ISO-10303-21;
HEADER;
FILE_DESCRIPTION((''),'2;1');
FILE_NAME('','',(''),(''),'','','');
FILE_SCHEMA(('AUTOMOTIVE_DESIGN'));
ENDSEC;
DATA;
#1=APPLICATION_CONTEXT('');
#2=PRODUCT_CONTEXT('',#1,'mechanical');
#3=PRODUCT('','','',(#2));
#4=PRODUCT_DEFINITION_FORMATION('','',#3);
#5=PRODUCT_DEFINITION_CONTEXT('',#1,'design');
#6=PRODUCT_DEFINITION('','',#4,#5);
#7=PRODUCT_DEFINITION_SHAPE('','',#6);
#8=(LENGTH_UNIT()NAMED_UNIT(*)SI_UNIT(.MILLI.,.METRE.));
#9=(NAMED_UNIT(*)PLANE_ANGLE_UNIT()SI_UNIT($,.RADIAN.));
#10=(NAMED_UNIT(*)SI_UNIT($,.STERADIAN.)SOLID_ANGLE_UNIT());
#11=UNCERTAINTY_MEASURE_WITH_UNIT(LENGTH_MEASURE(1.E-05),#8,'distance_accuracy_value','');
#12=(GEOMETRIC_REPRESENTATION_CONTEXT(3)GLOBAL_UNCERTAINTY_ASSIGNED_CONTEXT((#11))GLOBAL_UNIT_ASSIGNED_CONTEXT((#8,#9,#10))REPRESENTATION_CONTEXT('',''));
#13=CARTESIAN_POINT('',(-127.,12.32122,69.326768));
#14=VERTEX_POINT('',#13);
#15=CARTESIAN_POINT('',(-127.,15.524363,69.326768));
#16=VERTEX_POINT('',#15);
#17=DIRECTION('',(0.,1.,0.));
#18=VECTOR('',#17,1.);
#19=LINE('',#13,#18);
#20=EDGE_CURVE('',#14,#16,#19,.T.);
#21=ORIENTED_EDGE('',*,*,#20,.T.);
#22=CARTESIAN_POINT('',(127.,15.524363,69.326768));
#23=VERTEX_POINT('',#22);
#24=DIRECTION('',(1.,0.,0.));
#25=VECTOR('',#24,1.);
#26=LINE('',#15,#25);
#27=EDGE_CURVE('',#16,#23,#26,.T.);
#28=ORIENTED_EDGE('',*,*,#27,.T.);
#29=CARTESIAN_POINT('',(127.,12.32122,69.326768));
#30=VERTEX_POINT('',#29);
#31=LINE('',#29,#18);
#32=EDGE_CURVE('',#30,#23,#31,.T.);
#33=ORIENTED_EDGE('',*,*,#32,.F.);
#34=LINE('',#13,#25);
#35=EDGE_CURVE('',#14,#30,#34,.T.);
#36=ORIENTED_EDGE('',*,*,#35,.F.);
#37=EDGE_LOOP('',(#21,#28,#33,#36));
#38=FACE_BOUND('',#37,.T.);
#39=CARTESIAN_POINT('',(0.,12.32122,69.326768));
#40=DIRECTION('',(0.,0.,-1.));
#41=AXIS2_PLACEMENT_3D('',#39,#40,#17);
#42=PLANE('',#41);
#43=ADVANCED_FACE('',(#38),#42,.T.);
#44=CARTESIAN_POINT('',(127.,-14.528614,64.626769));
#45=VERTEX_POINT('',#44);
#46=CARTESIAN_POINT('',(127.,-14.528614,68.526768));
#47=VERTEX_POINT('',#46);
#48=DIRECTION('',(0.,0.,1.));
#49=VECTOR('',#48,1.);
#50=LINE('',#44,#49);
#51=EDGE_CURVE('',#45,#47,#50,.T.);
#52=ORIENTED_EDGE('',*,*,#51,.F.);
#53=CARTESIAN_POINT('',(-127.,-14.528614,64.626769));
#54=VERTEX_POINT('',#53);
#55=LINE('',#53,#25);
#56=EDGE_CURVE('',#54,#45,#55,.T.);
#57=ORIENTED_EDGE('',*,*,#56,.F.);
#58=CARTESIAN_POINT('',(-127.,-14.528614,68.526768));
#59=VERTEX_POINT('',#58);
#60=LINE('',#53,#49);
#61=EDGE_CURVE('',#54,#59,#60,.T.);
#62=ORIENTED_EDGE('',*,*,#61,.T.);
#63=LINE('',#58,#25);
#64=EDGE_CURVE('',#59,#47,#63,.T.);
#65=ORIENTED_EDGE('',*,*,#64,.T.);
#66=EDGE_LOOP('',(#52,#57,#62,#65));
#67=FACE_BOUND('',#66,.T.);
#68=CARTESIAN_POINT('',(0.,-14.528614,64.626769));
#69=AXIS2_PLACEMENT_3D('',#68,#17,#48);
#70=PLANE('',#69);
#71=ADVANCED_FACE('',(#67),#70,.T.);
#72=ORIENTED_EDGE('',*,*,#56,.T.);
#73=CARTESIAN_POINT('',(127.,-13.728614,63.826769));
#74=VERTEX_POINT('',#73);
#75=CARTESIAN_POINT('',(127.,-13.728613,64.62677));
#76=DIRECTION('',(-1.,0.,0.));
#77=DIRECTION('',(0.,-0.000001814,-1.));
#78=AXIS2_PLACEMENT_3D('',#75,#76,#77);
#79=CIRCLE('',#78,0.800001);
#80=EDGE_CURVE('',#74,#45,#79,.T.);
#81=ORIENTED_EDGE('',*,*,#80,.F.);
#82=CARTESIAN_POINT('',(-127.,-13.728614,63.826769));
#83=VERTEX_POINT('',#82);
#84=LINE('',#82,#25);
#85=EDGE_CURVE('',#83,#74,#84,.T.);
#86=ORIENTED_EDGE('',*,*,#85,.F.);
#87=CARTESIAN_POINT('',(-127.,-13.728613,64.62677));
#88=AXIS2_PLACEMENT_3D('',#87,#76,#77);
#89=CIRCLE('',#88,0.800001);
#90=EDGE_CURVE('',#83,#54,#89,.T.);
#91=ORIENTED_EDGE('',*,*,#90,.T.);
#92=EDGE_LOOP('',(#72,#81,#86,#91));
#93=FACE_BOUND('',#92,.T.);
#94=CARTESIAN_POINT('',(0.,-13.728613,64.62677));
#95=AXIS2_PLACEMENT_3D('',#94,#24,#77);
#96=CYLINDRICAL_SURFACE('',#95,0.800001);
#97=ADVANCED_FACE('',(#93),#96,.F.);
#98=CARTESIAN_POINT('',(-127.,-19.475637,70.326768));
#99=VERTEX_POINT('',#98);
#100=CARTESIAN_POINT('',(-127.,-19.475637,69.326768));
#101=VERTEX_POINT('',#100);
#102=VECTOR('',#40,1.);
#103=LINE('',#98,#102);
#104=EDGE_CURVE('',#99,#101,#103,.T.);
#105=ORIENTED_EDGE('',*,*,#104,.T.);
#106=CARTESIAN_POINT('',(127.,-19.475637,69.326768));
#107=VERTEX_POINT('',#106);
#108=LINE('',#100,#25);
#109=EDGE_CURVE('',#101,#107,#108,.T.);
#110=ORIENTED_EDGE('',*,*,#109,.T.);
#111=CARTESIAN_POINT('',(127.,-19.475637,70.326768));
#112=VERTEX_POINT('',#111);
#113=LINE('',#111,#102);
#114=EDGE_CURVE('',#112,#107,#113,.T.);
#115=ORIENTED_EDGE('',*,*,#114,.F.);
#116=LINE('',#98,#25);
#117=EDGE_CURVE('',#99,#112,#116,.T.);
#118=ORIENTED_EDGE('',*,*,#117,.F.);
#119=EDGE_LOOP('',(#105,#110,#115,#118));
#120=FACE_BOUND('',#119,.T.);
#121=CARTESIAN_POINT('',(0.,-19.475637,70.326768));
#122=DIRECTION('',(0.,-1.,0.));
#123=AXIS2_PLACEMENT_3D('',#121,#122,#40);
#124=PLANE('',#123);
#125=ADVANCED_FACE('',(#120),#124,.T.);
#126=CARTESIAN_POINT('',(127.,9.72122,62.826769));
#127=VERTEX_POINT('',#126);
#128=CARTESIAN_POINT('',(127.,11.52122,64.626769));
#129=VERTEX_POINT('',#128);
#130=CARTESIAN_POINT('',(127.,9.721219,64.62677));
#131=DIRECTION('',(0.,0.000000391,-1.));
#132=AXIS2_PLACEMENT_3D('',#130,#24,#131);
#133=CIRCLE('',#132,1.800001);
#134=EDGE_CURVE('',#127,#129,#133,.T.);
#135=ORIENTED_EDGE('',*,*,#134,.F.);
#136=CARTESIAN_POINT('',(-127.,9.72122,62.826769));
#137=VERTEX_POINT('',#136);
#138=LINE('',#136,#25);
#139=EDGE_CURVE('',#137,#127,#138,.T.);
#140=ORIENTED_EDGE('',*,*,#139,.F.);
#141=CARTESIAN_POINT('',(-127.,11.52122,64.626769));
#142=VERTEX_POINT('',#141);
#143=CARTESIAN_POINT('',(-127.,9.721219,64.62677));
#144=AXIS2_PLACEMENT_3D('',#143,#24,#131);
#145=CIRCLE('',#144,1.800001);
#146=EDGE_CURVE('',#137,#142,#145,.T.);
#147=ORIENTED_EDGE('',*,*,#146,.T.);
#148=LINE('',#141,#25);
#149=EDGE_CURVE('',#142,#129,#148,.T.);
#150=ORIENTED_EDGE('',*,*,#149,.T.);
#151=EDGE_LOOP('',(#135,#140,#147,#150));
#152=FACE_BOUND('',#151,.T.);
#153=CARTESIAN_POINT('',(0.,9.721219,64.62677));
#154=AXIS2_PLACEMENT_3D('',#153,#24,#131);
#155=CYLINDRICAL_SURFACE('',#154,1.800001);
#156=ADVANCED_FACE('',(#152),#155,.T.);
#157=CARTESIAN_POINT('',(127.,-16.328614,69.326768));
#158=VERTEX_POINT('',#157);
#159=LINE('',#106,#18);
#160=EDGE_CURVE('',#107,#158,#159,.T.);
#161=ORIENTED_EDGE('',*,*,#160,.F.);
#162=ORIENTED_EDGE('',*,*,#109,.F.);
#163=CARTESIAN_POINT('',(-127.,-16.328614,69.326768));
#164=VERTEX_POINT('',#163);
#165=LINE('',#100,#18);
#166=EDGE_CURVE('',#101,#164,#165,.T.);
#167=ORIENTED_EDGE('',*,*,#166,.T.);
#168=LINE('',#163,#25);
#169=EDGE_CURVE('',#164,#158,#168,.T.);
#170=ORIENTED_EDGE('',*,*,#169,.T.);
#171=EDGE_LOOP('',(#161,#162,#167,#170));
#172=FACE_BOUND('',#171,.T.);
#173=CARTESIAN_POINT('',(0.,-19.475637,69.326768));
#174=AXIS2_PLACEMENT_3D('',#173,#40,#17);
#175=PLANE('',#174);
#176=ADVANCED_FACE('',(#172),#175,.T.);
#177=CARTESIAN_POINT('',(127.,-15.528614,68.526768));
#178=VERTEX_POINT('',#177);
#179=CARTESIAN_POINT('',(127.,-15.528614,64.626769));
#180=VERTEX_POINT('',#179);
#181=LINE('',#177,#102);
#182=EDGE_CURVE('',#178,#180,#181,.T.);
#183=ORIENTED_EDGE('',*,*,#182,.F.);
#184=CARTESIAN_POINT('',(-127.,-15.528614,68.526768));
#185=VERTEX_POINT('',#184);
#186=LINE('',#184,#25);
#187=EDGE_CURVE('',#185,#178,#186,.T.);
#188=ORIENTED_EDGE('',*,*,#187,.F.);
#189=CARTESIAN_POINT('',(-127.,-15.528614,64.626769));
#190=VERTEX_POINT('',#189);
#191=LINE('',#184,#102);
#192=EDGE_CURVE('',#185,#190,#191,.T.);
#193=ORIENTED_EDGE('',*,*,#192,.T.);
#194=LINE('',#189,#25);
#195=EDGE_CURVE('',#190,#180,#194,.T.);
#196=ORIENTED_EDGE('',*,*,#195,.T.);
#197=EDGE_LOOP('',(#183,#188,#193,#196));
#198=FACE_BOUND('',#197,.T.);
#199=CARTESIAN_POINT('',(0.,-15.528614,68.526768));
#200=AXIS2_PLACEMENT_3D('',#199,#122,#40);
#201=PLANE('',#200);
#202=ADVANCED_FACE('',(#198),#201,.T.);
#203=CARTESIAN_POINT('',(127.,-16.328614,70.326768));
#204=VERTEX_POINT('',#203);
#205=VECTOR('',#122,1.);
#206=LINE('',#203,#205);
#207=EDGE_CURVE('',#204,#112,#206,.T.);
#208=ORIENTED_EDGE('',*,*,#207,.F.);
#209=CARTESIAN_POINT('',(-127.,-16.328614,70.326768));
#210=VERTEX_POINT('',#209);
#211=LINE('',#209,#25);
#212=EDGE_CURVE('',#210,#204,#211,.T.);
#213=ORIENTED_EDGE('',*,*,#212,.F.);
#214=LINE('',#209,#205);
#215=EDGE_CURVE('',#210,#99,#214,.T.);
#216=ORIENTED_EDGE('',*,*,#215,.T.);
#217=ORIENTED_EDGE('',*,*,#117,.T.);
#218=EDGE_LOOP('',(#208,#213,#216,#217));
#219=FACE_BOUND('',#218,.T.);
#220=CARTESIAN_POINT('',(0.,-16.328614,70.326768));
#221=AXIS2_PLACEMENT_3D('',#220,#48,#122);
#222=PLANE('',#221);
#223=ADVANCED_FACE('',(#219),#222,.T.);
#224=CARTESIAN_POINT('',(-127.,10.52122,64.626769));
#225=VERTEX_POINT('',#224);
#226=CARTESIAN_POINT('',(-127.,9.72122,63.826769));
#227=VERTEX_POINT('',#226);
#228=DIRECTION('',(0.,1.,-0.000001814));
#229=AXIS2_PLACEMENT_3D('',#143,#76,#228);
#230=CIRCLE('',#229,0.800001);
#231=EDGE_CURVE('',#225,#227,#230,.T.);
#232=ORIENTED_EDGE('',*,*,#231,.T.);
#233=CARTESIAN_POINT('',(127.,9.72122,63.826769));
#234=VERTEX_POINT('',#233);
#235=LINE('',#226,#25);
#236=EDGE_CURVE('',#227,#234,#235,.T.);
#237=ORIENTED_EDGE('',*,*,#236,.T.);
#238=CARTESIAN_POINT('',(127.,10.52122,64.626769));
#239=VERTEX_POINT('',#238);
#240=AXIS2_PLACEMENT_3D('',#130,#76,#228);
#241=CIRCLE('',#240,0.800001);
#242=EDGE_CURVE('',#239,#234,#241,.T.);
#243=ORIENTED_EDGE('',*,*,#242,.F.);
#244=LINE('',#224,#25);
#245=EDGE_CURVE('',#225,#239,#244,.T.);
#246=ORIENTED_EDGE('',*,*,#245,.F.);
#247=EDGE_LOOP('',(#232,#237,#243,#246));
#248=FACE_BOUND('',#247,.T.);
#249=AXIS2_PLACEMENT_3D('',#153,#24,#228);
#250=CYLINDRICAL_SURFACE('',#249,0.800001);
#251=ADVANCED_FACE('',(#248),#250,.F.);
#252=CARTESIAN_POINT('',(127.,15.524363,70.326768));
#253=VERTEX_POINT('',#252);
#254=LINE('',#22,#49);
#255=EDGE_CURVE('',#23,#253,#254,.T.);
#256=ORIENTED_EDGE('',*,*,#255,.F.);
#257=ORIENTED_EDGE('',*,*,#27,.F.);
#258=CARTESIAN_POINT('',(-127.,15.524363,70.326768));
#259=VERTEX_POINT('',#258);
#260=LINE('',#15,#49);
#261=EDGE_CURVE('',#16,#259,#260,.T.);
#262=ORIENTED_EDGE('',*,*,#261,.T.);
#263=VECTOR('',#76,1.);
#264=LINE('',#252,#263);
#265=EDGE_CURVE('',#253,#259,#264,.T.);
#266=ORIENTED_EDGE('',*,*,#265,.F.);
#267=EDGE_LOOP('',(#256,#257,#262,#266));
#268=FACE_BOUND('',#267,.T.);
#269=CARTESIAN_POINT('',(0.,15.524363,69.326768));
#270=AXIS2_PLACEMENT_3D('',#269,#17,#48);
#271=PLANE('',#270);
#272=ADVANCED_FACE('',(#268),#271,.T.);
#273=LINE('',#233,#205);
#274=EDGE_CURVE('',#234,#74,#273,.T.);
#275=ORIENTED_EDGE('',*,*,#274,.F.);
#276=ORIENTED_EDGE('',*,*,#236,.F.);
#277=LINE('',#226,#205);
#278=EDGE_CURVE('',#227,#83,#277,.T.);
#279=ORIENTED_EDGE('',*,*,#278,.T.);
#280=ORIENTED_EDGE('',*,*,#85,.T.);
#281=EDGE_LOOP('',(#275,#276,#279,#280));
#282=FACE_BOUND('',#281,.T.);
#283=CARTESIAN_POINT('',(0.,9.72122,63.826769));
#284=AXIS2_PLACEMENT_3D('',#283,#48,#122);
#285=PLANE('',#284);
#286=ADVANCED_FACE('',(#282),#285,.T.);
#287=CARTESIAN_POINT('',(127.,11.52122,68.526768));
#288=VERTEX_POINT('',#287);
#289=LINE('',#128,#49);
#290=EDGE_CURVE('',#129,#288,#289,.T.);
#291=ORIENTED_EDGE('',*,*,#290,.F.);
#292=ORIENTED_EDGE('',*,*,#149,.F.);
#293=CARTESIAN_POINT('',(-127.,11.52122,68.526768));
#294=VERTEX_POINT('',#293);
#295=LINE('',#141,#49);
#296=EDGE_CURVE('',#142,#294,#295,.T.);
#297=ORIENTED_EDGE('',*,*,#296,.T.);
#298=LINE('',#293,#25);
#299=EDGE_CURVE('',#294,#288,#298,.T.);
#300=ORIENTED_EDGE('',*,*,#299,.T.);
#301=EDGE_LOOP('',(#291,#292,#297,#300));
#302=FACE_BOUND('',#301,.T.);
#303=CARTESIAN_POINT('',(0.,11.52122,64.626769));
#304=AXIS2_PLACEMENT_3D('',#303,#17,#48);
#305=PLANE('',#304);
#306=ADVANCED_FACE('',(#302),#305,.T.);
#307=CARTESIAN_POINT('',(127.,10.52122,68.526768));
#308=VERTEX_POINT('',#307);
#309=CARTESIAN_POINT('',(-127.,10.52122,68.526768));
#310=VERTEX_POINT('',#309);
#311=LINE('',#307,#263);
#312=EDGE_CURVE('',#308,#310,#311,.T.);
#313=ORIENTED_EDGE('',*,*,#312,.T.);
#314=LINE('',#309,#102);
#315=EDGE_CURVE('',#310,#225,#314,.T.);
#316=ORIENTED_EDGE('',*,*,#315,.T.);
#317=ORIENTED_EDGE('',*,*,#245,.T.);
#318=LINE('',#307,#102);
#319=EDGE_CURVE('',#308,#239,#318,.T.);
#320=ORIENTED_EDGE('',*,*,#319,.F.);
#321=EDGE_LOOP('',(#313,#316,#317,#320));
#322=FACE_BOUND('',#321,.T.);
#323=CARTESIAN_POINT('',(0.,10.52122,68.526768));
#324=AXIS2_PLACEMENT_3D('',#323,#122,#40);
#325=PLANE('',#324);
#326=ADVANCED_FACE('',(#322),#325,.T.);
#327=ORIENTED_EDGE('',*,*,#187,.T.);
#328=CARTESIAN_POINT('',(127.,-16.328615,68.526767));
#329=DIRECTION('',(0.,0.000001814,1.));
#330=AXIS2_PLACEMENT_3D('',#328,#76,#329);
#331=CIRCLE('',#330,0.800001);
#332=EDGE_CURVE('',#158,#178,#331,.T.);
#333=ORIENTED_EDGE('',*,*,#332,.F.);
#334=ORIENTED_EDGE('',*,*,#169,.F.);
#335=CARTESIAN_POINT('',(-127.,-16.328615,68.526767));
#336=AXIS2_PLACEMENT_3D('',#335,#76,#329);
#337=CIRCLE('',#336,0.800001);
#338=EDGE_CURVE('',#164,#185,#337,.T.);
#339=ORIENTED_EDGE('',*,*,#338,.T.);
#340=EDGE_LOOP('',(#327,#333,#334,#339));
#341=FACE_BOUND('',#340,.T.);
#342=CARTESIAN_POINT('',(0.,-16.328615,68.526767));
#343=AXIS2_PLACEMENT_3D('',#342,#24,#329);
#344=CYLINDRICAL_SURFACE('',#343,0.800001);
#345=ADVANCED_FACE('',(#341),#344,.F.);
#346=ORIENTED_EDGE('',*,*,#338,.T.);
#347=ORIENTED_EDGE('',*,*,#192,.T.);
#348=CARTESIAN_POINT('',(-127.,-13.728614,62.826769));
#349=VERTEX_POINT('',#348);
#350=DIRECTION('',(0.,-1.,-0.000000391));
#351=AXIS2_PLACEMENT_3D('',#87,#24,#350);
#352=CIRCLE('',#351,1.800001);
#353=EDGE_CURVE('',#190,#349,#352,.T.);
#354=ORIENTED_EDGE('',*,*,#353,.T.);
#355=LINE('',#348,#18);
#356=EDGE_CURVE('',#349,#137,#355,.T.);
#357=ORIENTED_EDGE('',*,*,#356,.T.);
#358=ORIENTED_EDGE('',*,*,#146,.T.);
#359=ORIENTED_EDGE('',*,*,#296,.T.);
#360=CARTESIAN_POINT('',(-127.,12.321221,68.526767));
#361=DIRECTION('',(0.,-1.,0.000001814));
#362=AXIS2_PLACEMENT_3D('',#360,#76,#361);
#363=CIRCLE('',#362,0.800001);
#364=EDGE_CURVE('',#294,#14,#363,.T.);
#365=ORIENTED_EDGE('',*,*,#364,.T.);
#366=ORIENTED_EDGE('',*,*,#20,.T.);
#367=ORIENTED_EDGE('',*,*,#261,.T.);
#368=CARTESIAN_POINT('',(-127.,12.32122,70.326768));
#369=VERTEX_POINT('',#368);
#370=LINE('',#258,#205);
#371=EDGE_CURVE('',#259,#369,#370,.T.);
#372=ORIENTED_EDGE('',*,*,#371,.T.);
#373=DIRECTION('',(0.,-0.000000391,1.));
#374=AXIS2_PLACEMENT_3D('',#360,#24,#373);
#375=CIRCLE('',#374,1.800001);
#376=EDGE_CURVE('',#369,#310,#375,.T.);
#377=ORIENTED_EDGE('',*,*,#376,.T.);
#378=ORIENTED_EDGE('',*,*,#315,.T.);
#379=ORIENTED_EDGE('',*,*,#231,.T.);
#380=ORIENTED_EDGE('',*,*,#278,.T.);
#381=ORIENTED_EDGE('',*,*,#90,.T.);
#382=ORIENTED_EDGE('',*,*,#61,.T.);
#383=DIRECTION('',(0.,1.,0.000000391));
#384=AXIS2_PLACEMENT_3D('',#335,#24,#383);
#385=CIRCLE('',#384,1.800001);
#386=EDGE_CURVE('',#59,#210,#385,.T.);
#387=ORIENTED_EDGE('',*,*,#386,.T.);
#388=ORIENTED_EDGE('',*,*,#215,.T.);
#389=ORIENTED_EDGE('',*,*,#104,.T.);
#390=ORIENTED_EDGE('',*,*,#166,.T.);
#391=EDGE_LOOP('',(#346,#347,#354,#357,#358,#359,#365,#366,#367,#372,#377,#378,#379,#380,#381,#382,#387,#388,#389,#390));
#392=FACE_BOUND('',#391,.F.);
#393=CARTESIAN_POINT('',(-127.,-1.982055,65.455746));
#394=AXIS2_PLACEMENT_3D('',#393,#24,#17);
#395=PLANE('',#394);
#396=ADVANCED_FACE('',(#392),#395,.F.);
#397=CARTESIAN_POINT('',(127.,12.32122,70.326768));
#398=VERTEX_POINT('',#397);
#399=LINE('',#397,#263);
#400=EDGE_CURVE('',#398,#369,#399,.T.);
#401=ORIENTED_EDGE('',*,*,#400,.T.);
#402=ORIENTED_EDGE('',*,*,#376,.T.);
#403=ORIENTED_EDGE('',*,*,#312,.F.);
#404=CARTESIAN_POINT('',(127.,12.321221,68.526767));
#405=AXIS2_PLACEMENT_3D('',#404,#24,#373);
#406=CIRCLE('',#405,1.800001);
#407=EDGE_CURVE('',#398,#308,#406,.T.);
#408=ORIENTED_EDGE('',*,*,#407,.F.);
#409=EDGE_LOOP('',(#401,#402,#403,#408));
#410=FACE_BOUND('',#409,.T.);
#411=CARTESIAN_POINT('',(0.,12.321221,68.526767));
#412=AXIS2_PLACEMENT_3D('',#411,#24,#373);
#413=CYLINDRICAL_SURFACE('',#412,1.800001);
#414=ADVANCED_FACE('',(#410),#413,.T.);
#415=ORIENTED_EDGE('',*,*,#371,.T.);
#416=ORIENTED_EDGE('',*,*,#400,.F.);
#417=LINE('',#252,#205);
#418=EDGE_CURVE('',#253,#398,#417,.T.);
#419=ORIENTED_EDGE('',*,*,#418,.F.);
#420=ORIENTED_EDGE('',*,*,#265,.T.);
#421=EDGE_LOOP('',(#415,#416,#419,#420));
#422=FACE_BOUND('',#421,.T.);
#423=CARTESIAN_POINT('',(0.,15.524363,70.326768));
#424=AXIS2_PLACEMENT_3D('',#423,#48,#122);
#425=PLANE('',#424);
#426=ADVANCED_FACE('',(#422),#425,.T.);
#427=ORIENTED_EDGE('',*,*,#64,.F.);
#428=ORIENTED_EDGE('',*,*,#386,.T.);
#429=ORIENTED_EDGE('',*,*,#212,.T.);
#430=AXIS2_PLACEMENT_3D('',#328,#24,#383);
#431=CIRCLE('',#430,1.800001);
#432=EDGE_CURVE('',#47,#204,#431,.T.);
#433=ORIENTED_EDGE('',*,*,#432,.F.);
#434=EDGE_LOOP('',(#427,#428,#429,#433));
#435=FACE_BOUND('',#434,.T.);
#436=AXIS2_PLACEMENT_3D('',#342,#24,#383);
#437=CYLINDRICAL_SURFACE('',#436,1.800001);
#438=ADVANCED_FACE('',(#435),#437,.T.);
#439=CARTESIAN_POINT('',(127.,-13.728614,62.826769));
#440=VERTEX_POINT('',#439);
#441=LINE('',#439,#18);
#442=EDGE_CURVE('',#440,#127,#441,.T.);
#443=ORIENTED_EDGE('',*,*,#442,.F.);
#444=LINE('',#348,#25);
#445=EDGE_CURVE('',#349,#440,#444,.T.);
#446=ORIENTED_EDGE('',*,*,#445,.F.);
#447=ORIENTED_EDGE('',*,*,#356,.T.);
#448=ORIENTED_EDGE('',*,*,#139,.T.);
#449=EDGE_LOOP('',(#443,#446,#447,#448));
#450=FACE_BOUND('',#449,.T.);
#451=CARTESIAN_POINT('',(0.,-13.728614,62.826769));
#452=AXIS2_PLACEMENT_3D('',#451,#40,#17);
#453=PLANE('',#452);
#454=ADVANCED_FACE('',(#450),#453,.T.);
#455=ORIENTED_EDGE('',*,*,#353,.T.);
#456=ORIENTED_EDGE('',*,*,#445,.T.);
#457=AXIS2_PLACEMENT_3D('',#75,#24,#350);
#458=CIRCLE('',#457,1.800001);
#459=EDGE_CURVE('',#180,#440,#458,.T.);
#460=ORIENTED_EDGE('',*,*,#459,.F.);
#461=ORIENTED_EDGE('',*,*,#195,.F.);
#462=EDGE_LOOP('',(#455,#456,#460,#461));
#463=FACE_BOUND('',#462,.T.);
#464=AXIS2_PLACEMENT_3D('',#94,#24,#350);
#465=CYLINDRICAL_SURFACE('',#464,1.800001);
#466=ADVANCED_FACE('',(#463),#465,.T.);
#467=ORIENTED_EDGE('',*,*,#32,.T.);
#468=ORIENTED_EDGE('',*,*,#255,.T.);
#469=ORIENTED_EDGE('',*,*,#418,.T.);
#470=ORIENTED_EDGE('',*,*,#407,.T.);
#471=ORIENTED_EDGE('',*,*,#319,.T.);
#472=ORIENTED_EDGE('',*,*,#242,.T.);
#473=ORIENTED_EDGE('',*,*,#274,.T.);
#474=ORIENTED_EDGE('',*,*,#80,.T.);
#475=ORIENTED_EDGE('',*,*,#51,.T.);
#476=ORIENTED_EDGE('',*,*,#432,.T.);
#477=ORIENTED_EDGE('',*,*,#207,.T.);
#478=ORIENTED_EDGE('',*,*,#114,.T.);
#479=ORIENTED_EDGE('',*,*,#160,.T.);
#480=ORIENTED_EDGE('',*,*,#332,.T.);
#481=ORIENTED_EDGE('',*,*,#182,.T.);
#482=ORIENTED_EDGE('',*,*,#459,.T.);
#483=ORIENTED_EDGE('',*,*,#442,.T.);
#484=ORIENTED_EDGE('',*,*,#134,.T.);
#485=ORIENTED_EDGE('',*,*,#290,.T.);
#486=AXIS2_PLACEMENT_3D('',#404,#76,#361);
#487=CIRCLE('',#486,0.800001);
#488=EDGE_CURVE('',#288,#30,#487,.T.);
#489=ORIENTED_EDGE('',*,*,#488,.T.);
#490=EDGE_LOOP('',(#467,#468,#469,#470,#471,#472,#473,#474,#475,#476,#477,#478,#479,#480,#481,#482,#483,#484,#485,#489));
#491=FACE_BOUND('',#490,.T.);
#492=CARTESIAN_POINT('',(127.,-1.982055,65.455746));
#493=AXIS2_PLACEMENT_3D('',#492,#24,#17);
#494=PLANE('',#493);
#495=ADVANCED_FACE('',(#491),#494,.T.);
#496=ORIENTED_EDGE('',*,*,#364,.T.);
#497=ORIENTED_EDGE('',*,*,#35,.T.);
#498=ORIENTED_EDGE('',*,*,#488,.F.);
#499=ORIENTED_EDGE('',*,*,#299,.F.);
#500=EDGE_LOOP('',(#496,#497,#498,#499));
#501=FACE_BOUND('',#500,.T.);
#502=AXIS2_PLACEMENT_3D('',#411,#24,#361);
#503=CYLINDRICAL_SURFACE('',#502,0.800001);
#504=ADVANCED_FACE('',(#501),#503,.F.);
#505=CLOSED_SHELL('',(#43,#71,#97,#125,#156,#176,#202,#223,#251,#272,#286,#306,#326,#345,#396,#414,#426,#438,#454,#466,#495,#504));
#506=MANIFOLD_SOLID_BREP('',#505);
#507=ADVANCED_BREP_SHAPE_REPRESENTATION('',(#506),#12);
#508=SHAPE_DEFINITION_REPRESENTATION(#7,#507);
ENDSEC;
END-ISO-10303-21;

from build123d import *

# Parameters (mm, degrees)
F1_DEPTH = 127


with BuildPart() as f1:
    # F0 (on Right) → F1 (new body, symmetric)
    with BuildSketch(Plane.YZ):
        with BuildLine():
            Line((10.52122, 68.526768), (10.52122, 64.626769))
            ThreePointArc((10.52122, 64.626769), (10.286905, 64.061084), (9.72122, 63.826769))
            Line((9.72122, 63.826769), (-13.728614, 63.826769))
            ThreePointArc((-13.728614, 63.826769), (-14.294299, 64.061084), (-14.528614, 64.626769))
            Line((-14.528614, 64.626769), (-14.528614, 68.526768))
            ThreePointArc((-14.528614, 68.526768), (-15.055822, 69.79956), (-16.328614, 70.326768))
            Line((-16.328614, 70.326768), (-19.475637, 70.326768))
            Line((-19.475637, 70.326768), (-19.475637, 69.326768))
            Line((-19.475637, 69.326768), (-16.328614, 69.326768))
            ThreePointArc((-16.328614, 69.326768), (-15.762929, 69.092453), (-15.528614, 68.526768))
            Line((-15.528614, 68.526768), (-15.528614, 64.626769))
            ThreePointArc((-15.528614, 64.626769), (-15.001406, 63.353977), (-13.728614, 62.826769))
            Line((-13.728614, 62.826769), (9.72122, 62.826769))
            ThreePointArc((9.72122, 62.826769), (10.994012, 63.353977), (11.52122, 64.626769))
            Line((11.52122, 64.626769), (11.52122, 68.526768))
            ThreePointArc((11.52122, 68.526768), (11.755535, 69.092453), (12.32122, 69.326768))
            Line((12.32122, 69.326768), (15.524363, 69.326768))
            Line((15.524363, 69.326768), (15.524363, 70.326768))
            Line((15.524363, 70.326768), (12.32122, 70.326768))
            ThreePointArc((12.32122, 70.326768), (11.048428, 69.79956), (10.52122, 68.526768))
        make_face()
    extrude(amount=F1_DEPTH, both=True)


solid = f1.part
